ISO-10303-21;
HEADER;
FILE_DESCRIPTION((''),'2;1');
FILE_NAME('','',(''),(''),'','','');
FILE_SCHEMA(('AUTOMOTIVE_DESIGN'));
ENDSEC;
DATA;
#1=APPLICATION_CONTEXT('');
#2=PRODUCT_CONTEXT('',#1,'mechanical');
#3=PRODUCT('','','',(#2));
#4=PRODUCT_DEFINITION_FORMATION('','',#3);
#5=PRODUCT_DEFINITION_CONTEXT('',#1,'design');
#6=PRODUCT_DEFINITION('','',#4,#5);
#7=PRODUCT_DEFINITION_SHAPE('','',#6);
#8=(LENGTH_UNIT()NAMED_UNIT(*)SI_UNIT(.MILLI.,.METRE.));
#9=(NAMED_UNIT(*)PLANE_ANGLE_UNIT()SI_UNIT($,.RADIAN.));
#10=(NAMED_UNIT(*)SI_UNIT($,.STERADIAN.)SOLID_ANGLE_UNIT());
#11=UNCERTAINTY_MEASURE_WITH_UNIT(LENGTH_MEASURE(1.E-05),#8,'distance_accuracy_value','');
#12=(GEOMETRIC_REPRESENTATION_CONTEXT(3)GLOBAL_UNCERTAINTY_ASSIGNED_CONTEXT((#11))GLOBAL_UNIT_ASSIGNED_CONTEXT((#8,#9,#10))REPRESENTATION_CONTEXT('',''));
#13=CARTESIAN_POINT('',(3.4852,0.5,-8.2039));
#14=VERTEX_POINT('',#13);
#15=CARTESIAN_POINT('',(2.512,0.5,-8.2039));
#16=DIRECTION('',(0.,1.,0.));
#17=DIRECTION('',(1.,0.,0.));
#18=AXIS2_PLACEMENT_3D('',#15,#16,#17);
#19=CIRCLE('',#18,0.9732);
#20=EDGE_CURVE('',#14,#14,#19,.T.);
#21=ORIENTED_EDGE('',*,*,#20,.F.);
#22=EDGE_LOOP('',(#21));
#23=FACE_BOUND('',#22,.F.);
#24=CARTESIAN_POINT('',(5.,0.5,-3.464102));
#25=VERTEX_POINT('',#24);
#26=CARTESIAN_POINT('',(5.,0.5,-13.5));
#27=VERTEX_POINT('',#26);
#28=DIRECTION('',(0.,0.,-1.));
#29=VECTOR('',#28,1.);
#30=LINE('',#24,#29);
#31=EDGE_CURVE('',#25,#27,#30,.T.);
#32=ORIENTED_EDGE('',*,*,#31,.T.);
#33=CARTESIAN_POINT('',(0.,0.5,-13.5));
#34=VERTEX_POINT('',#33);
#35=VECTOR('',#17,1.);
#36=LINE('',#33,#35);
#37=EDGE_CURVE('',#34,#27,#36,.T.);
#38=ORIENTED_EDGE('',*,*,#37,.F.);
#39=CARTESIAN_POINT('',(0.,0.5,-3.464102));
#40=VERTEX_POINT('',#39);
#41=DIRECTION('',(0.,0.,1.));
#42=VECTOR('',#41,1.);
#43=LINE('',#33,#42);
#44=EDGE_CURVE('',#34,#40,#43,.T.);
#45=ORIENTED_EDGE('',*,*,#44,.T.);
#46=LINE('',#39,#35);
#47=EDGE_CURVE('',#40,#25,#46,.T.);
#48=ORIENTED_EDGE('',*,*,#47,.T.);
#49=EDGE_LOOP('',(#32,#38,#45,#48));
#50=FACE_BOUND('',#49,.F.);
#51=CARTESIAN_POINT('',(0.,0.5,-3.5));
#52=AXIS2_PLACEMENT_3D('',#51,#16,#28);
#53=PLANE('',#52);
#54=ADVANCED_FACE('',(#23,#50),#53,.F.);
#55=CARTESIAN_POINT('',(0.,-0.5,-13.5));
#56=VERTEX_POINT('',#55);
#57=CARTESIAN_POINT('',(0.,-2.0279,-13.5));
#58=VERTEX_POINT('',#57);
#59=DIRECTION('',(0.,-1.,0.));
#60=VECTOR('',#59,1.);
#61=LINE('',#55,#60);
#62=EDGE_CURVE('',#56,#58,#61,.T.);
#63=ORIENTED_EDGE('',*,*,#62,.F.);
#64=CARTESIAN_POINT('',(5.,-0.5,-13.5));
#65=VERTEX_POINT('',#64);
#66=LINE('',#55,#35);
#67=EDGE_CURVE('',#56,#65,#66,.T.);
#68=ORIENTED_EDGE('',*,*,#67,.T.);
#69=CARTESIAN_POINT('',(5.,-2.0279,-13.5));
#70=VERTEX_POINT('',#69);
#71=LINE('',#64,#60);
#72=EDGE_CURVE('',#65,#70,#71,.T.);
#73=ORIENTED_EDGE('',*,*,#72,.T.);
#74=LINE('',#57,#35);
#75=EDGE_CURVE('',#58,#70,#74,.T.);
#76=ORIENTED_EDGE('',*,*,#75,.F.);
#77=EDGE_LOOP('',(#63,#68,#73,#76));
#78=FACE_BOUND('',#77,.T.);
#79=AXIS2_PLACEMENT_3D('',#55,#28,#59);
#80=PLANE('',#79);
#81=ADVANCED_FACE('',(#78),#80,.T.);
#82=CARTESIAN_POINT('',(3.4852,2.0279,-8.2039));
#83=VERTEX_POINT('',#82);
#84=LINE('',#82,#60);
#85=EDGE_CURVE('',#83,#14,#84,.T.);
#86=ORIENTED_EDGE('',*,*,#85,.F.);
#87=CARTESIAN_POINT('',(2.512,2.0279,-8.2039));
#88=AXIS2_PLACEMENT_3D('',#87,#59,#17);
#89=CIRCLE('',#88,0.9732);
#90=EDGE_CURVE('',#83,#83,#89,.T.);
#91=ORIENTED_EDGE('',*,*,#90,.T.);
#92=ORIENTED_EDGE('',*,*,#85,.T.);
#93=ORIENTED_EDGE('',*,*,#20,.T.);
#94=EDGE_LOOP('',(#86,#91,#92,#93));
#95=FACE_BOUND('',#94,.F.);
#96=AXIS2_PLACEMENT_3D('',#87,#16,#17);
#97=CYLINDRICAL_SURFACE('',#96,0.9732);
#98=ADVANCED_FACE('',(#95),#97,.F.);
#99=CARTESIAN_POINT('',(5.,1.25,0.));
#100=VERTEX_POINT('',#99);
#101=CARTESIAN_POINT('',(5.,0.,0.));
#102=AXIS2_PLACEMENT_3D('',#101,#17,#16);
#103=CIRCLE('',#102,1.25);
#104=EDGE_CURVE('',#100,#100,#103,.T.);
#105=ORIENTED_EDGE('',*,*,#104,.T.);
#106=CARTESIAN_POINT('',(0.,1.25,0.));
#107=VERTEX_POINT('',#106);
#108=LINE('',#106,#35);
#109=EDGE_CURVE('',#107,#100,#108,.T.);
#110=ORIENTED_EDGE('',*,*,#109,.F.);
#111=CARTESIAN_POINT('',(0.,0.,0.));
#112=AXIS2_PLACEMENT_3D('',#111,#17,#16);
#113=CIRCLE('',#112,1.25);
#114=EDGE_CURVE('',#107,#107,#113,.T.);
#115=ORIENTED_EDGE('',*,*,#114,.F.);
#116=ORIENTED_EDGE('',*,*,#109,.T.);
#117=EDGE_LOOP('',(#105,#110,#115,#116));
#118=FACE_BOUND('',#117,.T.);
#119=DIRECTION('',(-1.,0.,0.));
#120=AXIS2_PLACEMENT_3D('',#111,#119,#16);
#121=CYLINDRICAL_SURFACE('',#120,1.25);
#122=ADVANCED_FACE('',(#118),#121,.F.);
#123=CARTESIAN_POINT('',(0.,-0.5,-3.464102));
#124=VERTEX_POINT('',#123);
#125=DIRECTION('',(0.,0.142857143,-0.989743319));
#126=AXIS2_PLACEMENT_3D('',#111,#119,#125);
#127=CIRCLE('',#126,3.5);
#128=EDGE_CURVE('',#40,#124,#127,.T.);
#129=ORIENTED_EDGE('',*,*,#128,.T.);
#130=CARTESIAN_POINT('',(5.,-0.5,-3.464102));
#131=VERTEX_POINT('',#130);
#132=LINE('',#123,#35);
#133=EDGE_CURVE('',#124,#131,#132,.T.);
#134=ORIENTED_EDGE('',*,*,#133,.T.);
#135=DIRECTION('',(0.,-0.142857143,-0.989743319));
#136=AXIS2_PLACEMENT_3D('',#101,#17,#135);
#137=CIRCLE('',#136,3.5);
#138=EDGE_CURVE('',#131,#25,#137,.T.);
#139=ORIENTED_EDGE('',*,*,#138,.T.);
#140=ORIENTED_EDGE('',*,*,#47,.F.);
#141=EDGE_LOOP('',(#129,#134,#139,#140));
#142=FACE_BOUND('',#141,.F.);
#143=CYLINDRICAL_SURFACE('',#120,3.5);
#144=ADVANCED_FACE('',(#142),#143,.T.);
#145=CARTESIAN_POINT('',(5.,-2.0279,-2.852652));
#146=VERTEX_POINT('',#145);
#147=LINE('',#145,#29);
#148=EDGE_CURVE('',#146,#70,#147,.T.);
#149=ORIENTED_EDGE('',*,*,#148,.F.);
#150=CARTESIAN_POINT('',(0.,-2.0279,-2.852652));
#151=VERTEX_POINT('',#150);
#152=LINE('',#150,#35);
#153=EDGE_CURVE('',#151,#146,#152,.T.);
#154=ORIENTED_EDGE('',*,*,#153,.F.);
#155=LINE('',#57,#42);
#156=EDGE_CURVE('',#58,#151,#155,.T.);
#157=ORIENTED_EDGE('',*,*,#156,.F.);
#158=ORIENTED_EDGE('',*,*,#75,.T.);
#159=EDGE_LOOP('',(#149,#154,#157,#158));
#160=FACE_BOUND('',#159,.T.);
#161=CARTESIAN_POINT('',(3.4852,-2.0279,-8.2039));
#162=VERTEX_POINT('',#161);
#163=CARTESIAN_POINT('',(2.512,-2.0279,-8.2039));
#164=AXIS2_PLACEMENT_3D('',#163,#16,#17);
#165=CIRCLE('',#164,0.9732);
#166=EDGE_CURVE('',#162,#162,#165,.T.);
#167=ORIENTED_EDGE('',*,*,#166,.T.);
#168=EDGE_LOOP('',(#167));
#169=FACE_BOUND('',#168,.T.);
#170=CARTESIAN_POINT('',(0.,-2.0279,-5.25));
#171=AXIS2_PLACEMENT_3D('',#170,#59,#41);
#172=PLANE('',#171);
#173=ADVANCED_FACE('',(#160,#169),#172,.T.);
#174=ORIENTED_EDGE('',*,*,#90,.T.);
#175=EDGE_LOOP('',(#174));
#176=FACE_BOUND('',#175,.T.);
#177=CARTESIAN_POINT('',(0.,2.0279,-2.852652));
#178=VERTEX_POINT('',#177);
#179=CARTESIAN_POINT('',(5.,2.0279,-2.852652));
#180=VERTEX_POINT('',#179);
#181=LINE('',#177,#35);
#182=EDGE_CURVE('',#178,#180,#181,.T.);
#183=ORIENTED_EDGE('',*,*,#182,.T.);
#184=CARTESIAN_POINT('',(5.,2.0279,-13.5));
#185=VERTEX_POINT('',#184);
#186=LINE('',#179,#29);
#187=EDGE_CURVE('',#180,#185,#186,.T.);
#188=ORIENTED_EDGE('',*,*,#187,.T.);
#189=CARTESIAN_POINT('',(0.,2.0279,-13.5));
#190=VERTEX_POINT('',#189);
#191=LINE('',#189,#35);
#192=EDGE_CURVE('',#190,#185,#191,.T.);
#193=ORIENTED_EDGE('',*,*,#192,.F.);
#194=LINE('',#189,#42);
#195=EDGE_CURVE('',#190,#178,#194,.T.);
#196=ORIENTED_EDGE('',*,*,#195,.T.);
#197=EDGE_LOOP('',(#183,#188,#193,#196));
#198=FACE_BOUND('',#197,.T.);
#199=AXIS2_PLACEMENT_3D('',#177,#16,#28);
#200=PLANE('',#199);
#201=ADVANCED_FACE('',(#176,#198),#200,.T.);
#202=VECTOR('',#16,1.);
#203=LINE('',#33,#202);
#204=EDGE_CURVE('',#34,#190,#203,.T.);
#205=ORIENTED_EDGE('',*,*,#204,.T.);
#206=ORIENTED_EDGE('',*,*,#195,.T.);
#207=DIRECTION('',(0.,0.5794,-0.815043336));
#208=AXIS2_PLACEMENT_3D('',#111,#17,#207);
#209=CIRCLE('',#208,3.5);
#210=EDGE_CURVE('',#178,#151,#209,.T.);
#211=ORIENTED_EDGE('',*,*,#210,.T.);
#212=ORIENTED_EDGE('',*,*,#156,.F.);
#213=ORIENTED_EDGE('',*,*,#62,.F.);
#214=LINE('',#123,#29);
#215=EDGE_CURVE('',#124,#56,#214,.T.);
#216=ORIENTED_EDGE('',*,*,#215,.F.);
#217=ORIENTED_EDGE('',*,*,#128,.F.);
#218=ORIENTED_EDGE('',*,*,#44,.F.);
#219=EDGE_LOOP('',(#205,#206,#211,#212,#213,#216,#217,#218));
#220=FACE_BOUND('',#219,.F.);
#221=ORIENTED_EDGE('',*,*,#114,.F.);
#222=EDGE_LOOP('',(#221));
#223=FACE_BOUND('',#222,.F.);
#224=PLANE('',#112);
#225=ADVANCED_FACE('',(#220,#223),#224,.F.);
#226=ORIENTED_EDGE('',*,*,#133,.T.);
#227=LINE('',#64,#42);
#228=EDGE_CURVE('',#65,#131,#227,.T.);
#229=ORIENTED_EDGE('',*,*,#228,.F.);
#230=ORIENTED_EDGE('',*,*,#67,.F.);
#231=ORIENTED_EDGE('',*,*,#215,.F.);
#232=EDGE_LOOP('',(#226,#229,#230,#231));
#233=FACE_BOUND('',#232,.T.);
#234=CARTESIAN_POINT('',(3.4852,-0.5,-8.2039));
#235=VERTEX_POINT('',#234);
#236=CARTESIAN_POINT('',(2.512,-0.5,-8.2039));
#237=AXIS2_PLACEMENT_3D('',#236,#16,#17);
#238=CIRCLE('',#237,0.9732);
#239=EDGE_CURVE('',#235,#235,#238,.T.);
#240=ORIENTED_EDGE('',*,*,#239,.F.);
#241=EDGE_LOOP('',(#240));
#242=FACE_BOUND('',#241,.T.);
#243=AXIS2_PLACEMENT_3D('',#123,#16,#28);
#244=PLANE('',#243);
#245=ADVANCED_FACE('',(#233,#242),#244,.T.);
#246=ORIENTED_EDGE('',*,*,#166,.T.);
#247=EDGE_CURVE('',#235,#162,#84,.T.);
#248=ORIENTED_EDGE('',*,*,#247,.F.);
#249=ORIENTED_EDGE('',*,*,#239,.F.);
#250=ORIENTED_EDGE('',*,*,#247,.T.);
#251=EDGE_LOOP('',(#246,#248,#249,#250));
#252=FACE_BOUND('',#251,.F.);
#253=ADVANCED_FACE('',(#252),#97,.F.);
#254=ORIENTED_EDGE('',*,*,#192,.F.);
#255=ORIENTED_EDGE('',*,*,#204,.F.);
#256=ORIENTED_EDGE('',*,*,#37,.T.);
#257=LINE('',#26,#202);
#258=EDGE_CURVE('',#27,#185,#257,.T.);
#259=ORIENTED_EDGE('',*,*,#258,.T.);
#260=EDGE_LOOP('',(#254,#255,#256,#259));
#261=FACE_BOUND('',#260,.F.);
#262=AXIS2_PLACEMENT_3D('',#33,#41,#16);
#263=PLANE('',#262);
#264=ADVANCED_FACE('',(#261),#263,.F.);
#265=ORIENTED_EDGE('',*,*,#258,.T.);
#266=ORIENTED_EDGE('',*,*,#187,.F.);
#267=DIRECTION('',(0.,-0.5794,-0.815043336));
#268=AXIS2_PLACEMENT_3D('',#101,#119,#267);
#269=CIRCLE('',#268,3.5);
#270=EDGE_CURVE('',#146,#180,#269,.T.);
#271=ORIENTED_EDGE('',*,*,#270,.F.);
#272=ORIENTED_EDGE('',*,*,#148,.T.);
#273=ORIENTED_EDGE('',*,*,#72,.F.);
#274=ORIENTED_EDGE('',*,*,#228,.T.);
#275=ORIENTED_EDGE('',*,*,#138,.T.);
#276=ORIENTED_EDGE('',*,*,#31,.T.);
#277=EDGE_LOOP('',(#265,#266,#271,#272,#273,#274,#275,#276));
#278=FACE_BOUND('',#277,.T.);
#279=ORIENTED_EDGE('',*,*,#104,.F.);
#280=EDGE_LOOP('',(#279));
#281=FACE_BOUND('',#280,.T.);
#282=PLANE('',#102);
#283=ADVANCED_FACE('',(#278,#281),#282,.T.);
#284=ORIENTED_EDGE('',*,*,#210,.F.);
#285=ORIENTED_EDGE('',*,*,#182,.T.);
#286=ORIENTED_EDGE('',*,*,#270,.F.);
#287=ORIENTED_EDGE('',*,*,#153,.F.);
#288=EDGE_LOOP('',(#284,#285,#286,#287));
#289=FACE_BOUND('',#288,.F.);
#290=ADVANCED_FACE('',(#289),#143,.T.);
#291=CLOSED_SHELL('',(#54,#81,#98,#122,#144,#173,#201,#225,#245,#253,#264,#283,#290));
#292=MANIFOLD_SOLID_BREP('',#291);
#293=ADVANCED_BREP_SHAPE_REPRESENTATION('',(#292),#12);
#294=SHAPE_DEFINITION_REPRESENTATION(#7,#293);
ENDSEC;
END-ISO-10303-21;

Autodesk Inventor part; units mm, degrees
ref_plane "YZ Plane" through (0, 0, 0) normal (1, 0, 0) x (0, 1, 0)
ref_plane "XZ Plane" through (0, 0, 0) normal (0, 1, 0) x (-1, 0, 0)
ref_plane "XY Plane" through (0, 0, 0) normal (0, 0, 1) x (1, 0, 0)
sketch "Sketch1" plane through (0, 0, 0) normal (1, 0, 0) x (0, 1, 0)
  circle A0 centre (0, 0) radius 3.5
  circle A1 centre (0, 0) radius 1.25
  line L0 (0, -3.5) -> (0.5, -3.5)
  line L1 (0.5, -3.5) -> (0.5, -13.5)
  line L2 (0.5, -13.5) -> (0, -13.5)
  line L3 (0, -13.5) -> (0, -3.5)
  line L4 (0.5, -13.5) -> (2.0279, -13.5)
  line L5 (2.0279, -13.5) -> (2.0279, -5.25)
  line L6 (2.0279, -5.25) -> (0.5, -5.25)
  line L7 (0.5, -5.25) -> (0.5, -13.5)
  line L8 (0, -3.5) -> (-0.5, -3.5)
  line L9 (-0.5, -3.5) -> (-0.5, -13.5)
  line L10 (-0.5, -13.5) -> (0, -13.5)
  line L11 (-0.5, -13.5) -> (-2.0279, -13.5)
  line L12 (-2.0279, -13.5) -> (-2.0279, -5.25)
  line L13 (-2.0279, -5.25) -> (-0.5, -5.25)
  line L14 (-0.5, -5.25) -> (-0.5, -13.5)
  line L15 (-0.5, -13.5) -> (-2.0279, -13.5)
  line L16 (-2.0279, -13.5) -> (-2.0279, -2.6024)
  line L17 (-2.0279, -2.6024) -> (-0.5, -2.6024)
  line L18 (-0.5, -2.6024) -> (-0.5, -13.5)
  line L19 (2.0279, -13.5) -> (0.5, -13.5)
  line L20 (0.5, -13.5) -> (0.5, -2.6024)
  line L21 (0.5, -2.6024) -> (2.0279, -2.6024)
  line L22 (2.0279, -2.6024) -> (2.0279, -13.5)
  dimension "d0" = 7
  dimension "d1" = 2.5
  dimension "d2" = 0.5
  dimension "d3" = 10
extrude "Extrusion1" add sketch "Sketch1" along normal blind 5 contours A0 L22 L21 L20 L18 L17 L16 | L16 L17 L18 A0 | A0 L18 L9 L13 L16 | L22 L6 L1 L20 A0 | A0 L20 L21 L22 | L13 L9 L11 L12 | L5 L4 L1 L6
sketch "Sketch3" plane through (0, 2.0279, -2.8527) normal (0, 1, 0) x (1, 0, 0)
  line L0 (0, 0) -> (5.024, 10.7024)
  circle A0 centre (2.512, 5.3512) radius 0.9732
  point P0 (0, -2.8527)
extrude "Extrusion3" cut sketch "Sketch3" against normal blind 10
properties part number "servo attachment"
